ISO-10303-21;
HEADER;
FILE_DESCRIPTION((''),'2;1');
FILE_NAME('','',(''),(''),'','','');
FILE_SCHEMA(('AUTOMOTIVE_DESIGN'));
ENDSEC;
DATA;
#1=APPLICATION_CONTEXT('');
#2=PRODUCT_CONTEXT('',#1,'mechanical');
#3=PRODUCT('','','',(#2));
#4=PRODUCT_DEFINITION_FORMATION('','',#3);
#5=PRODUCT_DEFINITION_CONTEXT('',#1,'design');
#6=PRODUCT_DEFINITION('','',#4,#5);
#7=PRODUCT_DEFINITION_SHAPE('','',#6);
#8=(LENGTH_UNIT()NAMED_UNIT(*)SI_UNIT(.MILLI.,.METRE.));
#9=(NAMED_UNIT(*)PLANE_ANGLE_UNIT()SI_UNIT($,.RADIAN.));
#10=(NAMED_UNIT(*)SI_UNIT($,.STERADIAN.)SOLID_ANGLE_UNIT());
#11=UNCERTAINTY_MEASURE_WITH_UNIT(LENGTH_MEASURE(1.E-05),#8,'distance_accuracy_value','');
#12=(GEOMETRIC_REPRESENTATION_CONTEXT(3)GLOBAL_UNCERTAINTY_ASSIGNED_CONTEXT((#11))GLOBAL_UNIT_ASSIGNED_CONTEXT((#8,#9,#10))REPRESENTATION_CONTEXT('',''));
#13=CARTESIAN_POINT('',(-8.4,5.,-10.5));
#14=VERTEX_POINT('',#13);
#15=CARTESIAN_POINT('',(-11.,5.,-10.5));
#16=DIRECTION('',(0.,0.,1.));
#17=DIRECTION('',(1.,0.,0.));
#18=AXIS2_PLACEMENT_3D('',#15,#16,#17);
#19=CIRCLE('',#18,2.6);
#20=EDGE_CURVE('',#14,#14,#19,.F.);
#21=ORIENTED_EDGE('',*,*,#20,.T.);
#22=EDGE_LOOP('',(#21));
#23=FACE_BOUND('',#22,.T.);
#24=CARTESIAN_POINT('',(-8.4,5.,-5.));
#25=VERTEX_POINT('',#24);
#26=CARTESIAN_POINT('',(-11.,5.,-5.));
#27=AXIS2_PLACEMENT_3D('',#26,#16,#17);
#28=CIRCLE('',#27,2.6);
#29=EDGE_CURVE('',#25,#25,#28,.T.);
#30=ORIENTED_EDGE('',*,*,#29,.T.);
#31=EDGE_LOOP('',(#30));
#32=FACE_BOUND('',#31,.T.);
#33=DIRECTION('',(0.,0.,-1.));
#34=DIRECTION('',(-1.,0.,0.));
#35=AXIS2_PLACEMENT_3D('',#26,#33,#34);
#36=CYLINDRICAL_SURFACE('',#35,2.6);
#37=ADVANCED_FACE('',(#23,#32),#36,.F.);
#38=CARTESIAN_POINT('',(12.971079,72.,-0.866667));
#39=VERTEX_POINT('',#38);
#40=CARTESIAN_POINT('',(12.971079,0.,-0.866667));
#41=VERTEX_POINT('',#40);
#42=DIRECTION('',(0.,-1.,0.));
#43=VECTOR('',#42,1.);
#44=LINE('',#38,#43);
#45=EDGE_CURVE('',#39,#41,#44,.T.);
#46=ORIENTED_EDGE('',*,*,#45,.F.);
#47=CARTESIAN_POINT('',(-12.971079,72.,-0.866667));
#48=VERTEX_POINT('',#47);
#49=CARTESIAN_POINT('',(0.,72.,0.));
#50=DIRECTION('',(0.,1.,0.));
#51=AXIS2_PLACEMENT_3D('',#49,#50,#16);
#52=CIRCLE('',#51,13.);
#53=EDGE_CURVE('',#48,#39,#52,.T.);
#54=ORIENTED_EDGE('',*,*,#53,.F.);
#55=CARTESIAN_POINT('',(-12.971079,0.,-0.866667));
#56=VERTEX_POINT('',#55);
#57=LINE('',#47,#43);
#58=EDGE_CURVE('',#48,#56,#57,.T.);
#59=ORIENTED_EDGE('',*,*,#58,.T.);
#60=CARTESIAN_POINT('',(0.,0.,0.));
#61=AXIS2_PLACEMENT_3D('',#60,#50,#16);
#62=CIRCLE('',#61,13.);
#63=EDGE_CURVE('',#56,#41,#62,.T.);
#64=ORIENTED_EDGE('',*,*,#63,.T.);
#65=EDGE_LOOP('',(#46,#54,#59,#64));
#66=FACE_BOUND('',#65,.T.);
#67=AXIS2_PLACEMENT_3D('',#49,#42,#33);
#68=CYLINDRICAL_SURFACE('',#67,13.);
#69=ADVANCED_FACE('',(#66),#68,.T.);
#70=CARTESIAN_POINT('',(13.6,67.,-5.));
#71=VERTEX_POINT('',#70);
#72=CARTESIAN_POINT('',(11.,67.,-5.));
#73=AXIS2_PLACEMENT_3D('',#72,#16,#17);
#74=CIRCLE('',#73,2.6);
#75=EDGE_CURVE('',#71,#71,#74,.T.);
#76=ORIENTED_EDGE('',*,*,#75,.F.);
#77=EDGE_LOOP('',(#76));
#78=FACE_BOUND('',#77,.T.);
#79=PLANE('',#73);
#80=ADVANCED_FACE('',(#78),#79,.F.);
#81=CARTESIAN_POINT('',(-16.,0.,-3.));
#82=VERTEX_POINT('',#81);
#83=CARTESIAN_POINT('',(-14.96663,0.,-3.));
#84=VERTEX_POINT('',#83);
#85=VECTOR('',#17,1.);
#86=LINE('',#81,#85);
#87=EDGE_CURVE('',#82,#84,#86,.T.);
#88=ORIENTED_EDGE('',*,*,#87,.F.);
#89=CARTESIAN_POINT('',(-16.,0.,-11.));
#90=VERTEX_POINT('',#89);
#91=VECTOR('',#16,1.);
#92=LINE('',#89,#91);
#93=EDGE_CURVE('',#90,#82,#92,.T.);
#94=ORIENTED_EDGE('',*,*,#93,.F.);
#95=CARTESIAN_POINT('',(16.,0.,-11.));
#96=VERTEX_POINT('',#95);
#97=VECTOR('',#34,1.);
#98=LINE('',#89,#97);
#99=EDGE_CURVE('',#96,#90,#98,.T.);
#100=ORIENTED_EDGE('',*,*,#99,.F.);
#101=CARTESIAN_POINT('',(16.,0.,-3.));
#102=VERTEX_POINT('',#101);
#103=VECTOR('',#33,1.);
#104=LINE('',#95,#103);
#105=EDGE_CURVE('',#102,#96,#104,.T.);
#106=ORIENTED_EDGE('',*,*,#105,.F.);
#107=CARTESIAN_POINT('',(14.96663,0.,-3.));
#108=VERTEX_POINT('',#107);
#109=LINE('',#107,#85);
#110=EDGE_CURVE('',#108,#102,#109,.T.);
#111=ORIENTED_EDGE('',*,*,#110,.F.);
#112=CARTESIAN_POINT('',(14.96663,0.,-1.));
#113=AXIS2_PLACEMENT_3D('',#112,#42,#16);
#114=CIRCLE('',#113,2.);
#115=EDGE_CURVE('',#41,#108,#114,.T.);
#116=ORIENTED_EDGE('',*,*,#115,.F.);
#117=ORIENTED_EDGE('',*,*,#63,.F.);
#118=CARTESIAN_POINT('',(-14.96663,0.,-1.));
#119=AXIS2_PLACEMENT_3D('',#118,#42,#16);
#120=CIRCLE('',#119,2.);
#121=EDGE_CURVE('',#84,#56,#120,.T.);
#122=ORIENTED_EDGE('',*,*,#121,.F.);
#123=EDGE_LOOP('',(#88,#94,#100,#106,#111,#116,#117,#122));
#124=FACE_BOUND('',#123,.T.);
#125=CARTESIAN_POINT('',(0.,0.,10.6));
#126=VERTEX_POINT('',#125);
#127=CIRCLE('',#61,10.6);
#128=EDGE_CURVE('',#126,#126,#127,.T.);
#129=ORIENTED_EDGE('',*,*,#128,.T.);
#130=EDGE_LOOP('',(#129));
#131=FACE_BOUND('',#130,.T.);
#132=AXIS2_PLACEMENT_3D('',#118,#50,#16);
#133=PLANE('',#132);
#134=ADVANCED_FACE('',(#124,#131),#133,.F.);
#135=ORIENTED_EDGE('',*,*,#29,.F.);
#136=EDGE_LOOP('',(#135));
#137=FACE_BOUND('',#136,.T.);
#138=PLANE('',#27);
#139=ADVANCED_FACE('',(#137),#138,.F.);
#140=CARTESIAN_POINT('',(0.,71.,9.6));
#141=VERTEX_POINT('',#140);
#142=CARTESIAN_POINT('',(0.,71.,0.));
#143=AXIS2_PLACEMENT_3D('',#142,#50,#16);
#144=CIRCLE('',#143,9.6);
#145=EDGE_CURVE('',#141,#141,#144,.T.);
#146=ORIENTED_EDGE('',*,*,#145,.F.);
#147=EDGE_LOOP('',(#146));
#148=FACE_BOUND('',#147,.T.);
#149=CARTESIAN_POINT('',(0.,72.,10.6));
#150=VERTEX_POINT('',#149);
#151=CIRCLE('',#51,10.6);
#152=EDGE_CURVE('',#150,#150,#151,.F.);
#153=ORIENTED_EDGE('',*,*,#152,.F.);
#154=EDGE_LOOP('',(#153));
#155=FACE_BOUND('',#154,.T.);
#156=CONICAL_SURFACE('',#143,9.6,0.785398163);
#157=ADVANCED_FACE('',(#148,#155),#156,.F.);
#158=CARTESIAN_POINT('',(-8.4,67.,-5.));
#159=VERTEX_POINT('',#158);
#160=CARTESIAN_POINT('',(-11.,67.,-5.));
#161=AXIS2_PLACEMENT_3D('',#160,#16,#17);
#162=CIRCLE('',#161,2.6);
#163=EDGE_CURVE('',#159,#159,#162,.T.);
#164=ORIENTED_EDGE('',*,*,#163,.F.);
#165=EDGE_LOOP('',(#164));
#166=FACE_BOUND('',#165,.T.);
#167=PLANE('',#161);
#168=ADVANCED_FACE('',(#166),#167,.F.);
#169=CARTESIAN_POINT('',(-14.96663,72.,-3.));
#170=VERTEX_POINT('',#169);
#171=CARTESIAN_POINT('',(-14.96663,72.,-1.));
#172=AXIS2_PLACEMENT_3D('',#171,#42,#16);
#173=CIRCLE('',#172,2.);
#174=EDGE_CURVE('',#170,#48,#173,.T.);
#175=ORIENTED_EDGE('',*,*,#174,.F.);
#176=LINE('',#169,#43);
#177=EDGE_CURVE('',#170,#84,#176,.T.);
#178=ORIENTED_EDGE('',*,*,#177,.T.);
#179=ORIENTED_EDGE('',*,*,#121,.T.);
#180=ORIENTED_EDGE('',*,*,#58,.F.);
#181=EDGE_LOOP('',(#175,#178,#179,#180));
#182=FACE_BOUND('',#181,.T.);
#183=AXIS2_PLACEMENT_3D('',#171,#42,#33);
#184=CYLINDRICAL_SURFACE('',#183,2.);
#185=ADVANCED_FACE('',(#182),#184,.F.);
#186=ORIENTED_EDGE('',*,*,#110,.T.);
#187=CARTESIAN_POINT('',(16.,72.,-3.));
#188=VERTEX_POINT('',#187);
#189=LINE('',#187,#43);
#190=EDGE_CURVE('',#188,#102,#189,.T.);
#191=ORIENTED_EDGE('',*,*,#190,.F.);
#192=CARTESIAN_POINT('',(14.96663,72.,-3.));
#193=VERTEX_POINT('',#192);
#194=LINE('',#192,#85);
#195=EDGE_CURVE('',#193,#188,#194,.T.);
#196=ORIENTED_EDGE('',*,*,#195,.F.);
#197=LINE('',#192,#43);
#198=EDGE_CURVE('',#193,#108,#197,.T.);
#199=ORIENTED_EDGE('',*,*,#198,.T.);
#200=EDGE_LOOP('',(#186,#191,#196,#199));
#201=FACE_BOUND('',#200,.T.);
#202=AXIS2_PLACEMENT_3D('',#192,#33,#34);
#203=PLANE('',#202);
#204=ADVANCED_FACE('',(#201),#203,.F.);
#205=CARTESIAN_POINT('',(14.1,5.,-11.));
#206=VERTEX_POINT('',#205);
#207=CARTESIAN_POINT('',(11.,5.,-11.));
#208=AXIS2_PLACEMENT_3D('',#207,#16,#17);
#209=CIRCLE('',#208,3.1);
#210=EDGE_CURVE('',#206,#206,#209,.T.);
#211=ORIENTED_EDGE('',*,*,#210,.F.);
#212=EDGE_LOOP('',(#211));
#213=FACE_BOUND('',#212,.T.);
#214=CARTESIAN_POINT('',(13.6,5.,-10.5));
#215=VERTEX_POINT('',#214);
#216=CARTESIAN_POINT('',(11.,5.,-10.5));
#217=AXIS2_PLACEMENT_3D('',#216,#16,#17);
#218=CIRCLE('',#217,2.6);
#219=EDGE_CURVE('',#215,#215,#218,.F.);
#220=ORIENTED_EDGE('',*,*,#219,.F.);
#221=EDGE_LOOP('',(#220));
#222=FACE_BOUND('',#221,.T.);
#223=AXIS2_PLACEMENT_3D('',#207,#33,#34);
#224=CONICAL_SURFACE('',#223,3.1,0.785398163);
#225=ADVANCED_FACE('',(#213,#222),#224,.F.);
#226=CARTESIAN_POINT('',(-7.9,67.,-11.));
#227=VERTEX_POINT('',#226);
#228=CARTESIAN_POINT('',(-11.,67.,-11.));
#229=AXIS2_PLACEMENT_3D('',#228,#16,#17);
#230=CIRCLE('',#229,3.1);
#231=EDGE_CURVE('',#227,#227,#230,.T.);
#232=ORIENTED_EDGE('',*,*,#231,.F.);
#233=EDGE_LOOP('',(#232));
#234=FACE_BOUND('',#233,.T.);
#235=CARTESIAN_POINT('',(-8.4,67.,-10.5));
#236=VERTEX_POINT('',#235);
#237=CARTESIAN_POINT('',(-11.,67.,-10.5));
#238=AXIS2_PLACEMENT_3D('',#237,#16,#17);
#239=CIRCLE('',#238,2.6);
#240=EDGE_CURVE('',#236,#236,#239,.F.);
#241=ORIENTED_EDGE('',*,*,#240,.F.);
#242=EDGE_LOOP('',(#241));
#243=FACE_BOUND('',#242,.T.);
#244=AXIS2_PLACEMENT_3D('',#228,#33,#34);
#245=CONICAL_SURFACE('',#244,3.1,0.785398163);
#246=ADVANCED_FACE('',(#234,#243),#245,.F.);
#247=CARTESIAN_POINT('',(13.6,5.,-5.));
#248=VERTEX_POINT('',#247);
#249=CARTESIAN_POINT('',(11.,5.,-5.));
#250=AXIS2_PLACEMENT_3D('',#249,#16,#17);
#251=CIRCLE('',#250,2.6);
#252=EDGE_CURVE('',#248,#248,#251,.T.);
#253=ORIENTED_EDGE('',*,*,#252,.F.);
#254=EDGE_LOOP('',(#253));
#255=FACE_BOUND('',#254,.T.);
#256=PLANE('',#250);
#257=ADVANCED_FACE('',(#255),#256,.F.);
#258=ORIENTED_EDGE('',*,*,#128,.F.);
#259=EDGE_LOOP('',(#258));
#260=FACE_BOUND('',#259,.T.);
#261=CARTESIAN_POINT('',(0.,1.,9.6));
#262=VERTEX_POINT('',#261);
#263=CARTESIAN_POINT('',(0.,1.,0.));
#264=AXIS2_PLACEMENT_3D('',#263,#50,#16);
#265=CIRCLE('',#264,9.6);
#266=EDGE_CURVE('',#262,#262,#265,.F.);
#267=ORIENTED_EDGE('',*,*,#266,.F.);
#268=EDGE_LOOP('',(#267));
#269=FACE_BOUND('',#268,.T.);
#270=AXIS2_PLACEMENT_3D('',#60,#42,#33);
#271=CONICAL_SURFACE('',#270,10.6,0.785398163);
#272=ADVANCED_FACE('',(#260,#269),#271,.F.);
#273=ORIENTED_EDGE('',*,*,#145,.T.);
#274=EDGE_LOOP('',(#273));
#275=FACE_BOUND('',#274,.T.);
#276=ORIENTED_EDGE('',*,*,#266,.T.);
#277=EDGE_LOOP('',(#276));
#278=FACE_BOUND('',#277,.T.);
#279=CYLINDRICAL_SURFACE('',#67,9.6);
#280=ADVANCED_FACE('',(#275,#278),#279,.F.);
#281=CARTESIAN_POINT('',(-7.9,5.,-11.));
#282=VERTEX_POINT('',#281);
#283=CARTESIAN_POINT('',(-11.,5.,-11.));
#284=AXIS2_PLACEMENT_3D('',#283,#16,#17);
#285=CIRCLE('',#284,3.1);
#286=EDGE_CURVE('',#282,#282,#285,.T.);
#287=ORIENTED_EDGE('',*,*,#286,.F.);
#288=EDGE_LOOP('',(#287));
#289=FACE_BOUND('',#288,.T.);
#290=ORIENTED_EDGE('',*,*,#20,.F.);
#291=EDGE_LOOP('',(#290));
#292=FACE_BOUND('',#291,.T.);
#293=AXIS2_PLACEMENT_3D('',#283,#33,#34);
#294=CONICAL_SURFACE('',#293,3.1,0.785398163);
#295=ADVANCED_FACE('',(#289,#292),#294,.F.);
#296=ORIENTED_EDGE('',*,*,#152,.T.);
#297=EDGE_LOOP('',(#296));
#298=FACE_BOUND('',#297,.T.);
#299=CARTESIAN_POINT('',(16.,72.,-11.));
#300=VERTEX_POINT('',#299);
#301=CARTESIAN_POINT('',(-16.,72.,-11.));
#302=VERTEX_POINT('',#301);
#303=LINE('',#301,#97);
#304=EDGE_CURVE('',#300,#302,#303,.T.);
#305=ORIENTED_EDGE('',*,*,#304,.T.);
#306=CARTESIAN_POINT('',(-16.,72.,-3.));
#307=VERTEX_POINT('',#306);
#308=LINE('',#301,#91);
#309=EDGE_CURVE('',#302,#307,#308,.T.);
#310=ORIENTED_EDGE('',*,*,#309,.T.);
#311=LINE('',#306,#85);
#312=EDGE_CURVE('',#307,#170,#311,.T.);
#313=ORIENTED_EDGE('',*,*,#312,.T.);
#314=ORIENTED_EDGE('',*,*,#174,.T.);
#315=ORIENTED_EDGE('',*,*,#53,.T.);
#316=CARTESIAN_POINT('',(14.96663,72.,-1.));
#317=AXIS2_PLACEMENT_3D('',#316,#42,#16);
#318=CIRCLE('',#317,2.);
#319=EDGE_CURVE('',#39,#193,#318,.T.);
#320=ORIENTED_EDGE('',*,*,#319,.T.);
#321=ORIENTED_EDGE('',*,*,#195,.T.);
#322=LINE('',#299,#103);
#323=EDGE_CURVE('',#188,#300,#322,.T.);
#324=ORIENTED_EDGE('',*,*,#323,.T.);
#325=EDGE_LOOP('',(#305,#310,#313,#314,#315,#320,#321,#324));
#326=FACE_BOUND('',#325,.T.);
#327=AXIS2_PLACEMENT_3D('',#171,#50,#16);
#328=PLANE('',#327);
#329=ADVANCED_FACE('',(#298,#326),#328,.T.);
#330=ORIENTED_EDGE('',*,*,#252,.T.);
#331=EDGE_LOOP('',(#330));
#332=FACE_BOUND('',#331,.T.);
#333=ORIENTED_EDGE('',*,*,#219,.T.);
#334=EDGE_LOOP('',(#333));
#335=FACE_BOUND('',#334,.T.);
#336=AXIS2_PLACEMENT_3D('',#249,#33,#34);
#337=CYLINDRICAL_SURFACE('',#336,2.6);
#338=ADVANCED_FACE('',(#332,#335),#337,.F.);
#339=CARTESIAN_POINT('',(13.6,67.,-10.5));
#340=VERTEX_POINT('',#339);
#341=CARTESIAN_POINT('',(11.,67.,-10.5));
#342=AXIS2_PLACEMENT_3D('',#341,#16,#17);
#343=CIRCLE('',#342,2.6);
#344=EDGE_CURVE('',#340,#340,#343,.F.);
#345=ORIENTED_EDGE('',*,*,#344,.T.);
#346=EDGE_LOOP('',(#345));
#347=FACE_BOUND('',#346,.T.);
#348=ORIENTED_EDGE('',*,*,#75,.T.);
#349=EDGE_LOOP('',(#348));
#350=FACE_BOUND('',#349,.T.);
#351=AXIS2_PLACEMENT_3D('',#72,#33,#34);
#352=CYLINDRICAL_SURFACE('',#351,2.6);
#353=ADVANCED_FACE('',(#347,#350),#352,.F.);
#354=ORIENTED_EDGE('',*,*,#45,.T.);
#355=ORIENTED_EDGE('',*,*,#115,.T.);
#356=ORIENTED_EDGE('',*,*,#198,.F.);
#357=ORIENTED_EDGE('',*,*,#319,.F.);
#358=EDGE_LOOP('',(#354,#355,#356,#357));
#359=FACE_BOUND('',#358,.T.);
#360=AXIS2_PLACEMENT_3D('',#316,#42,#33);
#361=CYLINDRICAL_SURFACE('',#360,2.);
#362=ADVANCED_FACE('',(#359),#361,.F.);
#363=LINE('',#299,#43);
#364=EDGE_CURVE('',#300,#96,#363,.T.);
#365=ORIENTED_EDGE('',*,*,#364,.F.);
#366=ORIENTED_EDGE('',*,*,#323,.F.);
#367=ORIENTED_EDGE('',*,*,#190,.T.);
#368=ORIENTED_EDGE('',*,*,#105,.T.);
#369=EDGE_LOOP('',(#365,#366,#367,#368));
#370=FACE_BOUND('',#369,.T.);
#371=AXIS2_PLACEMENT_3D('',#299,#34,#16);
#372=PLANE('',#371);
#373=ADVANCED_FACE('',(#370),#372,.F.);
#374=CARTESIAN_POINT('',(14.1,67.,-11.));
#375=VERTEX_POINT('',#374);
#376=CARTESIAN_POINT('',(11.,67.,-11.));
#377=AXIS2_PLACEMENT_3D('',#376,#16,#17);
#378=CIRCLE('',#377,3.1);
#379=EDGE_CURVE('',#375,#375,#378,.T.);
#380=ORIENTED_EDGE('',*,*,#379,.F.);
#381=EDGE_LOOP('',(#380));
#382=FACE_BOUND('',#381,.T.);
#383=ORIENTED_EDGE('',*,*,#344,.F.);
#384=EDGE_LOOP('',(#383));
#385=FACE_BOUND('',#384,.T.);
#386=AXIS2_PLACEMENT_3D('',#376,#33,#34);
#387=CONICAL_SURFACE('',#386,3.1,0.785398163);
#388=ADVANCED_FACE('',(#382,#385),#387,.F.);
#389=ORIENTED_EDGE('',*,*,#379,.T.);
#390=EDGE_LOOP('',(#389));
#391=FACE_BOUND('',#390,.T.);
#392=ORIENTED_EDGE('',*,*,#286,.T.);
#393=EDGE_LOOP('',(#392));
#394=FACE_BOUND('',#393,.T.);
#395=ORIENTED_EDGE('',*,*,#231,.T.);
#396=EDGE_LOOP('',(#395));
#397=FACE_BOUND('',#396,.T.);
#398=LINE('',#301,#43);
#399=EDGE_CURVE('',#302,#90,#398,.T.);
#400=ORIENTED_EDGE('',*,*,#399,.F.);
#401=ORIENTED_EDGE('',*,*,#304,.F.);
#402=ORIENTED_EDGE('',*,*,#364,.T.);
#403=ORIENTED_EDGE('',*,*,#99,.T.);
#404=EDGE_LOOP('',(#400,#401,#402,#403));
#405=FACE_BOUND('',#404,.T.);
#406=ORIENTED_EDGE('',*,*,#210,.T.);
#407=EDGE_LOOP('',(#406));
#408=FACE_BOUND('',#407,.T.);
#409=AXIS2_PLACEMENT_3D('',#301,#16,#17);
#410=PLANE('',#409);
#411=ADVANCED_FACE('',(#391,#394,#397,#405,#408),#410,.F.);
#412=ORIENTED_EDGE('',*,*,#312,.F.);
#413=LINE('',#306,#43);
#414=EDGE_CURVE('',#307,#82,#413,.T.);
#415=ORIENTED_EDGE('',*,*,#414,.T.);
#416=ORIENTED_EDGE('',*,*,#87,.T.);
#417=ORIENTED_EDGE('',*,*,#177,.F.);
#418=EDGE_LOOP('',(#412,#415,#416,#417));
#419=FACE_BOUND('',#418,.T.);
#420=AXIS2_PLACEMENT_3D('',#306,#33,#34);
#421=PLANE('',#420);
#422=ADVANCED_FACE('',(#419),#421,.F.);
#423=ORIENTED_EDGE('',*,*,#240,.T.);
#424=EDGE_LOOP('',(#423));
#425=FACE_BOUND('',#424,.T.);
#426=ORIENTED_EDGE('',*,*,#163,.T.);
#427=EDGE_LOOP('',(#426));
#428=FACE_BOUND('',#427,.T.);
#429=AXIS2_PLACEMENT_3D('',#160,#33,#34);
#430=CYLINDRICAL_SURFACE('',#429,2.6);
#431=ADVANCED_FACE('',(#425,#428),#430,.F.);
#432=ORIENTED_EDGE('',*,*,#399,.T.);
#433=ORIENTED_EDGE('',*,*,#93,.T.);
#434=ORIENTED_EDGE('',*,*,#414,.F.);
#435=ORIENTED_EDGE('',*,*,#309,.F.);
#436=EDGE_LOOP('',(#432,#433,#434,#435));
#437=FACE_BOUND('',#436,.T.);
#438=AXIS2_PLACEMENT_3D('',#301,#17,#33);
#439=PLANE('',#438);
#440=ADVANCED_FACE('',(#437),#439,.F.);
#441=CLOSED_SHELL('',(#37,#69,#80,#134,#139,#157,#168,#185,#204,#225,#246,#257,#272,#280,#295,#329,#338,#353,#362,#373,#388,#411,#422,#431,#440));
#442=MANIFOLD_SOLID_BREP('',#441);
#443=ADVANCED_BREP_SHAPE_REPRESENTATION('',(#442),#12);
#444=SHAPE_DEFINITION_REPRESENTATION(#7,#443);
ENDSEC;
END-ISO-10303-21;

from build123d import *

# Parameters (mm, degrees)
SKETCH1_R           = 9.6
BOSS_EXTRUDE1_DEPTH = 72
SKETCH2_R           = 2.6
CUT_EXTRUDE1_DEPTH  = 6
CHAMFER1_SIZE       = 0.5
CHAMFER2_SIZE       = 1


with BuildPart() as part:
    # Sketch1 → Boss-Extrude1 (new body)
    with BuildSketch(Plane(origin=(0, 0, 0), x_dir=(1, 0, 0), z_dir=(0, 1, 0))):
        with BuildLine():
            Line((14.966629547, 3), (16, 3))
            Line((16, 3), (16, 11))
            Line((16, 11), (-16, 11))
            Line((-16, 11), (-16, 3))
            Line((-16, 3), (-14.966629547, 3))
            ThreePointArc((-14.966629547, 3), (-13.50603606, 2.366260102), (-12.971078941, 0.866666667))
            ThreePointArc((-12.971078941, 0.866666667), (0, -13), (12.971078941, 0.866666667))
            ThreePointArc((12.971078941, 0.866666667), (13.50603606, 2.366260102), (14.966629547, 3))
        make_face()
        with Locations(Location((0, 0, 0), (0, 0, 270))):  # turned: the seam where the file's is
            Circle(SKETCH1_R, mode=Mode.SUBTRACT)
    extrude(amount=BOSS_EXTRUDE1_DEPTH)

    # Sketch2 → Cut-Extrude1 (cut)
    with BuildSketch(Plane.XY.offset(-11)):
        with Locations((-11, 67)):
            Circle(SKETCH2_R)
        with Locations((-11, 5)):
            Circle(SKETCH2_R)
        with Locations((11, 67)):
            Circle(SKETCH2_R)
        with Locations((11, 5)):
            Circle(SKETCH2_R)
    extrude(amount=CUT_EXTRUDE1_DEPTH, mode=Mode.SUBTRACT)

    # Chamfer1
    chamfer1_edges = [part.edges().sort_by_distance(p)[0] for p in [
        (-13.6, 67, -11),
        (-13.6, 5, -11),
        (8.4, 67, -11),
        (8.4, 5, -11),
    ]]
    chamfer(chamfer1_edges, length=CHAMFER1_SIZE)

    # Chamfer2
    chamfer2_edges = [part.edges().sort_by_distance(p)[0] for p in [
        (0, 0, -9.6),
        (0, 72, -9.6),
    ]]
    chamfer(chamfer2_edges, length=CHAMFER2_SIZE)


solid = part.part
